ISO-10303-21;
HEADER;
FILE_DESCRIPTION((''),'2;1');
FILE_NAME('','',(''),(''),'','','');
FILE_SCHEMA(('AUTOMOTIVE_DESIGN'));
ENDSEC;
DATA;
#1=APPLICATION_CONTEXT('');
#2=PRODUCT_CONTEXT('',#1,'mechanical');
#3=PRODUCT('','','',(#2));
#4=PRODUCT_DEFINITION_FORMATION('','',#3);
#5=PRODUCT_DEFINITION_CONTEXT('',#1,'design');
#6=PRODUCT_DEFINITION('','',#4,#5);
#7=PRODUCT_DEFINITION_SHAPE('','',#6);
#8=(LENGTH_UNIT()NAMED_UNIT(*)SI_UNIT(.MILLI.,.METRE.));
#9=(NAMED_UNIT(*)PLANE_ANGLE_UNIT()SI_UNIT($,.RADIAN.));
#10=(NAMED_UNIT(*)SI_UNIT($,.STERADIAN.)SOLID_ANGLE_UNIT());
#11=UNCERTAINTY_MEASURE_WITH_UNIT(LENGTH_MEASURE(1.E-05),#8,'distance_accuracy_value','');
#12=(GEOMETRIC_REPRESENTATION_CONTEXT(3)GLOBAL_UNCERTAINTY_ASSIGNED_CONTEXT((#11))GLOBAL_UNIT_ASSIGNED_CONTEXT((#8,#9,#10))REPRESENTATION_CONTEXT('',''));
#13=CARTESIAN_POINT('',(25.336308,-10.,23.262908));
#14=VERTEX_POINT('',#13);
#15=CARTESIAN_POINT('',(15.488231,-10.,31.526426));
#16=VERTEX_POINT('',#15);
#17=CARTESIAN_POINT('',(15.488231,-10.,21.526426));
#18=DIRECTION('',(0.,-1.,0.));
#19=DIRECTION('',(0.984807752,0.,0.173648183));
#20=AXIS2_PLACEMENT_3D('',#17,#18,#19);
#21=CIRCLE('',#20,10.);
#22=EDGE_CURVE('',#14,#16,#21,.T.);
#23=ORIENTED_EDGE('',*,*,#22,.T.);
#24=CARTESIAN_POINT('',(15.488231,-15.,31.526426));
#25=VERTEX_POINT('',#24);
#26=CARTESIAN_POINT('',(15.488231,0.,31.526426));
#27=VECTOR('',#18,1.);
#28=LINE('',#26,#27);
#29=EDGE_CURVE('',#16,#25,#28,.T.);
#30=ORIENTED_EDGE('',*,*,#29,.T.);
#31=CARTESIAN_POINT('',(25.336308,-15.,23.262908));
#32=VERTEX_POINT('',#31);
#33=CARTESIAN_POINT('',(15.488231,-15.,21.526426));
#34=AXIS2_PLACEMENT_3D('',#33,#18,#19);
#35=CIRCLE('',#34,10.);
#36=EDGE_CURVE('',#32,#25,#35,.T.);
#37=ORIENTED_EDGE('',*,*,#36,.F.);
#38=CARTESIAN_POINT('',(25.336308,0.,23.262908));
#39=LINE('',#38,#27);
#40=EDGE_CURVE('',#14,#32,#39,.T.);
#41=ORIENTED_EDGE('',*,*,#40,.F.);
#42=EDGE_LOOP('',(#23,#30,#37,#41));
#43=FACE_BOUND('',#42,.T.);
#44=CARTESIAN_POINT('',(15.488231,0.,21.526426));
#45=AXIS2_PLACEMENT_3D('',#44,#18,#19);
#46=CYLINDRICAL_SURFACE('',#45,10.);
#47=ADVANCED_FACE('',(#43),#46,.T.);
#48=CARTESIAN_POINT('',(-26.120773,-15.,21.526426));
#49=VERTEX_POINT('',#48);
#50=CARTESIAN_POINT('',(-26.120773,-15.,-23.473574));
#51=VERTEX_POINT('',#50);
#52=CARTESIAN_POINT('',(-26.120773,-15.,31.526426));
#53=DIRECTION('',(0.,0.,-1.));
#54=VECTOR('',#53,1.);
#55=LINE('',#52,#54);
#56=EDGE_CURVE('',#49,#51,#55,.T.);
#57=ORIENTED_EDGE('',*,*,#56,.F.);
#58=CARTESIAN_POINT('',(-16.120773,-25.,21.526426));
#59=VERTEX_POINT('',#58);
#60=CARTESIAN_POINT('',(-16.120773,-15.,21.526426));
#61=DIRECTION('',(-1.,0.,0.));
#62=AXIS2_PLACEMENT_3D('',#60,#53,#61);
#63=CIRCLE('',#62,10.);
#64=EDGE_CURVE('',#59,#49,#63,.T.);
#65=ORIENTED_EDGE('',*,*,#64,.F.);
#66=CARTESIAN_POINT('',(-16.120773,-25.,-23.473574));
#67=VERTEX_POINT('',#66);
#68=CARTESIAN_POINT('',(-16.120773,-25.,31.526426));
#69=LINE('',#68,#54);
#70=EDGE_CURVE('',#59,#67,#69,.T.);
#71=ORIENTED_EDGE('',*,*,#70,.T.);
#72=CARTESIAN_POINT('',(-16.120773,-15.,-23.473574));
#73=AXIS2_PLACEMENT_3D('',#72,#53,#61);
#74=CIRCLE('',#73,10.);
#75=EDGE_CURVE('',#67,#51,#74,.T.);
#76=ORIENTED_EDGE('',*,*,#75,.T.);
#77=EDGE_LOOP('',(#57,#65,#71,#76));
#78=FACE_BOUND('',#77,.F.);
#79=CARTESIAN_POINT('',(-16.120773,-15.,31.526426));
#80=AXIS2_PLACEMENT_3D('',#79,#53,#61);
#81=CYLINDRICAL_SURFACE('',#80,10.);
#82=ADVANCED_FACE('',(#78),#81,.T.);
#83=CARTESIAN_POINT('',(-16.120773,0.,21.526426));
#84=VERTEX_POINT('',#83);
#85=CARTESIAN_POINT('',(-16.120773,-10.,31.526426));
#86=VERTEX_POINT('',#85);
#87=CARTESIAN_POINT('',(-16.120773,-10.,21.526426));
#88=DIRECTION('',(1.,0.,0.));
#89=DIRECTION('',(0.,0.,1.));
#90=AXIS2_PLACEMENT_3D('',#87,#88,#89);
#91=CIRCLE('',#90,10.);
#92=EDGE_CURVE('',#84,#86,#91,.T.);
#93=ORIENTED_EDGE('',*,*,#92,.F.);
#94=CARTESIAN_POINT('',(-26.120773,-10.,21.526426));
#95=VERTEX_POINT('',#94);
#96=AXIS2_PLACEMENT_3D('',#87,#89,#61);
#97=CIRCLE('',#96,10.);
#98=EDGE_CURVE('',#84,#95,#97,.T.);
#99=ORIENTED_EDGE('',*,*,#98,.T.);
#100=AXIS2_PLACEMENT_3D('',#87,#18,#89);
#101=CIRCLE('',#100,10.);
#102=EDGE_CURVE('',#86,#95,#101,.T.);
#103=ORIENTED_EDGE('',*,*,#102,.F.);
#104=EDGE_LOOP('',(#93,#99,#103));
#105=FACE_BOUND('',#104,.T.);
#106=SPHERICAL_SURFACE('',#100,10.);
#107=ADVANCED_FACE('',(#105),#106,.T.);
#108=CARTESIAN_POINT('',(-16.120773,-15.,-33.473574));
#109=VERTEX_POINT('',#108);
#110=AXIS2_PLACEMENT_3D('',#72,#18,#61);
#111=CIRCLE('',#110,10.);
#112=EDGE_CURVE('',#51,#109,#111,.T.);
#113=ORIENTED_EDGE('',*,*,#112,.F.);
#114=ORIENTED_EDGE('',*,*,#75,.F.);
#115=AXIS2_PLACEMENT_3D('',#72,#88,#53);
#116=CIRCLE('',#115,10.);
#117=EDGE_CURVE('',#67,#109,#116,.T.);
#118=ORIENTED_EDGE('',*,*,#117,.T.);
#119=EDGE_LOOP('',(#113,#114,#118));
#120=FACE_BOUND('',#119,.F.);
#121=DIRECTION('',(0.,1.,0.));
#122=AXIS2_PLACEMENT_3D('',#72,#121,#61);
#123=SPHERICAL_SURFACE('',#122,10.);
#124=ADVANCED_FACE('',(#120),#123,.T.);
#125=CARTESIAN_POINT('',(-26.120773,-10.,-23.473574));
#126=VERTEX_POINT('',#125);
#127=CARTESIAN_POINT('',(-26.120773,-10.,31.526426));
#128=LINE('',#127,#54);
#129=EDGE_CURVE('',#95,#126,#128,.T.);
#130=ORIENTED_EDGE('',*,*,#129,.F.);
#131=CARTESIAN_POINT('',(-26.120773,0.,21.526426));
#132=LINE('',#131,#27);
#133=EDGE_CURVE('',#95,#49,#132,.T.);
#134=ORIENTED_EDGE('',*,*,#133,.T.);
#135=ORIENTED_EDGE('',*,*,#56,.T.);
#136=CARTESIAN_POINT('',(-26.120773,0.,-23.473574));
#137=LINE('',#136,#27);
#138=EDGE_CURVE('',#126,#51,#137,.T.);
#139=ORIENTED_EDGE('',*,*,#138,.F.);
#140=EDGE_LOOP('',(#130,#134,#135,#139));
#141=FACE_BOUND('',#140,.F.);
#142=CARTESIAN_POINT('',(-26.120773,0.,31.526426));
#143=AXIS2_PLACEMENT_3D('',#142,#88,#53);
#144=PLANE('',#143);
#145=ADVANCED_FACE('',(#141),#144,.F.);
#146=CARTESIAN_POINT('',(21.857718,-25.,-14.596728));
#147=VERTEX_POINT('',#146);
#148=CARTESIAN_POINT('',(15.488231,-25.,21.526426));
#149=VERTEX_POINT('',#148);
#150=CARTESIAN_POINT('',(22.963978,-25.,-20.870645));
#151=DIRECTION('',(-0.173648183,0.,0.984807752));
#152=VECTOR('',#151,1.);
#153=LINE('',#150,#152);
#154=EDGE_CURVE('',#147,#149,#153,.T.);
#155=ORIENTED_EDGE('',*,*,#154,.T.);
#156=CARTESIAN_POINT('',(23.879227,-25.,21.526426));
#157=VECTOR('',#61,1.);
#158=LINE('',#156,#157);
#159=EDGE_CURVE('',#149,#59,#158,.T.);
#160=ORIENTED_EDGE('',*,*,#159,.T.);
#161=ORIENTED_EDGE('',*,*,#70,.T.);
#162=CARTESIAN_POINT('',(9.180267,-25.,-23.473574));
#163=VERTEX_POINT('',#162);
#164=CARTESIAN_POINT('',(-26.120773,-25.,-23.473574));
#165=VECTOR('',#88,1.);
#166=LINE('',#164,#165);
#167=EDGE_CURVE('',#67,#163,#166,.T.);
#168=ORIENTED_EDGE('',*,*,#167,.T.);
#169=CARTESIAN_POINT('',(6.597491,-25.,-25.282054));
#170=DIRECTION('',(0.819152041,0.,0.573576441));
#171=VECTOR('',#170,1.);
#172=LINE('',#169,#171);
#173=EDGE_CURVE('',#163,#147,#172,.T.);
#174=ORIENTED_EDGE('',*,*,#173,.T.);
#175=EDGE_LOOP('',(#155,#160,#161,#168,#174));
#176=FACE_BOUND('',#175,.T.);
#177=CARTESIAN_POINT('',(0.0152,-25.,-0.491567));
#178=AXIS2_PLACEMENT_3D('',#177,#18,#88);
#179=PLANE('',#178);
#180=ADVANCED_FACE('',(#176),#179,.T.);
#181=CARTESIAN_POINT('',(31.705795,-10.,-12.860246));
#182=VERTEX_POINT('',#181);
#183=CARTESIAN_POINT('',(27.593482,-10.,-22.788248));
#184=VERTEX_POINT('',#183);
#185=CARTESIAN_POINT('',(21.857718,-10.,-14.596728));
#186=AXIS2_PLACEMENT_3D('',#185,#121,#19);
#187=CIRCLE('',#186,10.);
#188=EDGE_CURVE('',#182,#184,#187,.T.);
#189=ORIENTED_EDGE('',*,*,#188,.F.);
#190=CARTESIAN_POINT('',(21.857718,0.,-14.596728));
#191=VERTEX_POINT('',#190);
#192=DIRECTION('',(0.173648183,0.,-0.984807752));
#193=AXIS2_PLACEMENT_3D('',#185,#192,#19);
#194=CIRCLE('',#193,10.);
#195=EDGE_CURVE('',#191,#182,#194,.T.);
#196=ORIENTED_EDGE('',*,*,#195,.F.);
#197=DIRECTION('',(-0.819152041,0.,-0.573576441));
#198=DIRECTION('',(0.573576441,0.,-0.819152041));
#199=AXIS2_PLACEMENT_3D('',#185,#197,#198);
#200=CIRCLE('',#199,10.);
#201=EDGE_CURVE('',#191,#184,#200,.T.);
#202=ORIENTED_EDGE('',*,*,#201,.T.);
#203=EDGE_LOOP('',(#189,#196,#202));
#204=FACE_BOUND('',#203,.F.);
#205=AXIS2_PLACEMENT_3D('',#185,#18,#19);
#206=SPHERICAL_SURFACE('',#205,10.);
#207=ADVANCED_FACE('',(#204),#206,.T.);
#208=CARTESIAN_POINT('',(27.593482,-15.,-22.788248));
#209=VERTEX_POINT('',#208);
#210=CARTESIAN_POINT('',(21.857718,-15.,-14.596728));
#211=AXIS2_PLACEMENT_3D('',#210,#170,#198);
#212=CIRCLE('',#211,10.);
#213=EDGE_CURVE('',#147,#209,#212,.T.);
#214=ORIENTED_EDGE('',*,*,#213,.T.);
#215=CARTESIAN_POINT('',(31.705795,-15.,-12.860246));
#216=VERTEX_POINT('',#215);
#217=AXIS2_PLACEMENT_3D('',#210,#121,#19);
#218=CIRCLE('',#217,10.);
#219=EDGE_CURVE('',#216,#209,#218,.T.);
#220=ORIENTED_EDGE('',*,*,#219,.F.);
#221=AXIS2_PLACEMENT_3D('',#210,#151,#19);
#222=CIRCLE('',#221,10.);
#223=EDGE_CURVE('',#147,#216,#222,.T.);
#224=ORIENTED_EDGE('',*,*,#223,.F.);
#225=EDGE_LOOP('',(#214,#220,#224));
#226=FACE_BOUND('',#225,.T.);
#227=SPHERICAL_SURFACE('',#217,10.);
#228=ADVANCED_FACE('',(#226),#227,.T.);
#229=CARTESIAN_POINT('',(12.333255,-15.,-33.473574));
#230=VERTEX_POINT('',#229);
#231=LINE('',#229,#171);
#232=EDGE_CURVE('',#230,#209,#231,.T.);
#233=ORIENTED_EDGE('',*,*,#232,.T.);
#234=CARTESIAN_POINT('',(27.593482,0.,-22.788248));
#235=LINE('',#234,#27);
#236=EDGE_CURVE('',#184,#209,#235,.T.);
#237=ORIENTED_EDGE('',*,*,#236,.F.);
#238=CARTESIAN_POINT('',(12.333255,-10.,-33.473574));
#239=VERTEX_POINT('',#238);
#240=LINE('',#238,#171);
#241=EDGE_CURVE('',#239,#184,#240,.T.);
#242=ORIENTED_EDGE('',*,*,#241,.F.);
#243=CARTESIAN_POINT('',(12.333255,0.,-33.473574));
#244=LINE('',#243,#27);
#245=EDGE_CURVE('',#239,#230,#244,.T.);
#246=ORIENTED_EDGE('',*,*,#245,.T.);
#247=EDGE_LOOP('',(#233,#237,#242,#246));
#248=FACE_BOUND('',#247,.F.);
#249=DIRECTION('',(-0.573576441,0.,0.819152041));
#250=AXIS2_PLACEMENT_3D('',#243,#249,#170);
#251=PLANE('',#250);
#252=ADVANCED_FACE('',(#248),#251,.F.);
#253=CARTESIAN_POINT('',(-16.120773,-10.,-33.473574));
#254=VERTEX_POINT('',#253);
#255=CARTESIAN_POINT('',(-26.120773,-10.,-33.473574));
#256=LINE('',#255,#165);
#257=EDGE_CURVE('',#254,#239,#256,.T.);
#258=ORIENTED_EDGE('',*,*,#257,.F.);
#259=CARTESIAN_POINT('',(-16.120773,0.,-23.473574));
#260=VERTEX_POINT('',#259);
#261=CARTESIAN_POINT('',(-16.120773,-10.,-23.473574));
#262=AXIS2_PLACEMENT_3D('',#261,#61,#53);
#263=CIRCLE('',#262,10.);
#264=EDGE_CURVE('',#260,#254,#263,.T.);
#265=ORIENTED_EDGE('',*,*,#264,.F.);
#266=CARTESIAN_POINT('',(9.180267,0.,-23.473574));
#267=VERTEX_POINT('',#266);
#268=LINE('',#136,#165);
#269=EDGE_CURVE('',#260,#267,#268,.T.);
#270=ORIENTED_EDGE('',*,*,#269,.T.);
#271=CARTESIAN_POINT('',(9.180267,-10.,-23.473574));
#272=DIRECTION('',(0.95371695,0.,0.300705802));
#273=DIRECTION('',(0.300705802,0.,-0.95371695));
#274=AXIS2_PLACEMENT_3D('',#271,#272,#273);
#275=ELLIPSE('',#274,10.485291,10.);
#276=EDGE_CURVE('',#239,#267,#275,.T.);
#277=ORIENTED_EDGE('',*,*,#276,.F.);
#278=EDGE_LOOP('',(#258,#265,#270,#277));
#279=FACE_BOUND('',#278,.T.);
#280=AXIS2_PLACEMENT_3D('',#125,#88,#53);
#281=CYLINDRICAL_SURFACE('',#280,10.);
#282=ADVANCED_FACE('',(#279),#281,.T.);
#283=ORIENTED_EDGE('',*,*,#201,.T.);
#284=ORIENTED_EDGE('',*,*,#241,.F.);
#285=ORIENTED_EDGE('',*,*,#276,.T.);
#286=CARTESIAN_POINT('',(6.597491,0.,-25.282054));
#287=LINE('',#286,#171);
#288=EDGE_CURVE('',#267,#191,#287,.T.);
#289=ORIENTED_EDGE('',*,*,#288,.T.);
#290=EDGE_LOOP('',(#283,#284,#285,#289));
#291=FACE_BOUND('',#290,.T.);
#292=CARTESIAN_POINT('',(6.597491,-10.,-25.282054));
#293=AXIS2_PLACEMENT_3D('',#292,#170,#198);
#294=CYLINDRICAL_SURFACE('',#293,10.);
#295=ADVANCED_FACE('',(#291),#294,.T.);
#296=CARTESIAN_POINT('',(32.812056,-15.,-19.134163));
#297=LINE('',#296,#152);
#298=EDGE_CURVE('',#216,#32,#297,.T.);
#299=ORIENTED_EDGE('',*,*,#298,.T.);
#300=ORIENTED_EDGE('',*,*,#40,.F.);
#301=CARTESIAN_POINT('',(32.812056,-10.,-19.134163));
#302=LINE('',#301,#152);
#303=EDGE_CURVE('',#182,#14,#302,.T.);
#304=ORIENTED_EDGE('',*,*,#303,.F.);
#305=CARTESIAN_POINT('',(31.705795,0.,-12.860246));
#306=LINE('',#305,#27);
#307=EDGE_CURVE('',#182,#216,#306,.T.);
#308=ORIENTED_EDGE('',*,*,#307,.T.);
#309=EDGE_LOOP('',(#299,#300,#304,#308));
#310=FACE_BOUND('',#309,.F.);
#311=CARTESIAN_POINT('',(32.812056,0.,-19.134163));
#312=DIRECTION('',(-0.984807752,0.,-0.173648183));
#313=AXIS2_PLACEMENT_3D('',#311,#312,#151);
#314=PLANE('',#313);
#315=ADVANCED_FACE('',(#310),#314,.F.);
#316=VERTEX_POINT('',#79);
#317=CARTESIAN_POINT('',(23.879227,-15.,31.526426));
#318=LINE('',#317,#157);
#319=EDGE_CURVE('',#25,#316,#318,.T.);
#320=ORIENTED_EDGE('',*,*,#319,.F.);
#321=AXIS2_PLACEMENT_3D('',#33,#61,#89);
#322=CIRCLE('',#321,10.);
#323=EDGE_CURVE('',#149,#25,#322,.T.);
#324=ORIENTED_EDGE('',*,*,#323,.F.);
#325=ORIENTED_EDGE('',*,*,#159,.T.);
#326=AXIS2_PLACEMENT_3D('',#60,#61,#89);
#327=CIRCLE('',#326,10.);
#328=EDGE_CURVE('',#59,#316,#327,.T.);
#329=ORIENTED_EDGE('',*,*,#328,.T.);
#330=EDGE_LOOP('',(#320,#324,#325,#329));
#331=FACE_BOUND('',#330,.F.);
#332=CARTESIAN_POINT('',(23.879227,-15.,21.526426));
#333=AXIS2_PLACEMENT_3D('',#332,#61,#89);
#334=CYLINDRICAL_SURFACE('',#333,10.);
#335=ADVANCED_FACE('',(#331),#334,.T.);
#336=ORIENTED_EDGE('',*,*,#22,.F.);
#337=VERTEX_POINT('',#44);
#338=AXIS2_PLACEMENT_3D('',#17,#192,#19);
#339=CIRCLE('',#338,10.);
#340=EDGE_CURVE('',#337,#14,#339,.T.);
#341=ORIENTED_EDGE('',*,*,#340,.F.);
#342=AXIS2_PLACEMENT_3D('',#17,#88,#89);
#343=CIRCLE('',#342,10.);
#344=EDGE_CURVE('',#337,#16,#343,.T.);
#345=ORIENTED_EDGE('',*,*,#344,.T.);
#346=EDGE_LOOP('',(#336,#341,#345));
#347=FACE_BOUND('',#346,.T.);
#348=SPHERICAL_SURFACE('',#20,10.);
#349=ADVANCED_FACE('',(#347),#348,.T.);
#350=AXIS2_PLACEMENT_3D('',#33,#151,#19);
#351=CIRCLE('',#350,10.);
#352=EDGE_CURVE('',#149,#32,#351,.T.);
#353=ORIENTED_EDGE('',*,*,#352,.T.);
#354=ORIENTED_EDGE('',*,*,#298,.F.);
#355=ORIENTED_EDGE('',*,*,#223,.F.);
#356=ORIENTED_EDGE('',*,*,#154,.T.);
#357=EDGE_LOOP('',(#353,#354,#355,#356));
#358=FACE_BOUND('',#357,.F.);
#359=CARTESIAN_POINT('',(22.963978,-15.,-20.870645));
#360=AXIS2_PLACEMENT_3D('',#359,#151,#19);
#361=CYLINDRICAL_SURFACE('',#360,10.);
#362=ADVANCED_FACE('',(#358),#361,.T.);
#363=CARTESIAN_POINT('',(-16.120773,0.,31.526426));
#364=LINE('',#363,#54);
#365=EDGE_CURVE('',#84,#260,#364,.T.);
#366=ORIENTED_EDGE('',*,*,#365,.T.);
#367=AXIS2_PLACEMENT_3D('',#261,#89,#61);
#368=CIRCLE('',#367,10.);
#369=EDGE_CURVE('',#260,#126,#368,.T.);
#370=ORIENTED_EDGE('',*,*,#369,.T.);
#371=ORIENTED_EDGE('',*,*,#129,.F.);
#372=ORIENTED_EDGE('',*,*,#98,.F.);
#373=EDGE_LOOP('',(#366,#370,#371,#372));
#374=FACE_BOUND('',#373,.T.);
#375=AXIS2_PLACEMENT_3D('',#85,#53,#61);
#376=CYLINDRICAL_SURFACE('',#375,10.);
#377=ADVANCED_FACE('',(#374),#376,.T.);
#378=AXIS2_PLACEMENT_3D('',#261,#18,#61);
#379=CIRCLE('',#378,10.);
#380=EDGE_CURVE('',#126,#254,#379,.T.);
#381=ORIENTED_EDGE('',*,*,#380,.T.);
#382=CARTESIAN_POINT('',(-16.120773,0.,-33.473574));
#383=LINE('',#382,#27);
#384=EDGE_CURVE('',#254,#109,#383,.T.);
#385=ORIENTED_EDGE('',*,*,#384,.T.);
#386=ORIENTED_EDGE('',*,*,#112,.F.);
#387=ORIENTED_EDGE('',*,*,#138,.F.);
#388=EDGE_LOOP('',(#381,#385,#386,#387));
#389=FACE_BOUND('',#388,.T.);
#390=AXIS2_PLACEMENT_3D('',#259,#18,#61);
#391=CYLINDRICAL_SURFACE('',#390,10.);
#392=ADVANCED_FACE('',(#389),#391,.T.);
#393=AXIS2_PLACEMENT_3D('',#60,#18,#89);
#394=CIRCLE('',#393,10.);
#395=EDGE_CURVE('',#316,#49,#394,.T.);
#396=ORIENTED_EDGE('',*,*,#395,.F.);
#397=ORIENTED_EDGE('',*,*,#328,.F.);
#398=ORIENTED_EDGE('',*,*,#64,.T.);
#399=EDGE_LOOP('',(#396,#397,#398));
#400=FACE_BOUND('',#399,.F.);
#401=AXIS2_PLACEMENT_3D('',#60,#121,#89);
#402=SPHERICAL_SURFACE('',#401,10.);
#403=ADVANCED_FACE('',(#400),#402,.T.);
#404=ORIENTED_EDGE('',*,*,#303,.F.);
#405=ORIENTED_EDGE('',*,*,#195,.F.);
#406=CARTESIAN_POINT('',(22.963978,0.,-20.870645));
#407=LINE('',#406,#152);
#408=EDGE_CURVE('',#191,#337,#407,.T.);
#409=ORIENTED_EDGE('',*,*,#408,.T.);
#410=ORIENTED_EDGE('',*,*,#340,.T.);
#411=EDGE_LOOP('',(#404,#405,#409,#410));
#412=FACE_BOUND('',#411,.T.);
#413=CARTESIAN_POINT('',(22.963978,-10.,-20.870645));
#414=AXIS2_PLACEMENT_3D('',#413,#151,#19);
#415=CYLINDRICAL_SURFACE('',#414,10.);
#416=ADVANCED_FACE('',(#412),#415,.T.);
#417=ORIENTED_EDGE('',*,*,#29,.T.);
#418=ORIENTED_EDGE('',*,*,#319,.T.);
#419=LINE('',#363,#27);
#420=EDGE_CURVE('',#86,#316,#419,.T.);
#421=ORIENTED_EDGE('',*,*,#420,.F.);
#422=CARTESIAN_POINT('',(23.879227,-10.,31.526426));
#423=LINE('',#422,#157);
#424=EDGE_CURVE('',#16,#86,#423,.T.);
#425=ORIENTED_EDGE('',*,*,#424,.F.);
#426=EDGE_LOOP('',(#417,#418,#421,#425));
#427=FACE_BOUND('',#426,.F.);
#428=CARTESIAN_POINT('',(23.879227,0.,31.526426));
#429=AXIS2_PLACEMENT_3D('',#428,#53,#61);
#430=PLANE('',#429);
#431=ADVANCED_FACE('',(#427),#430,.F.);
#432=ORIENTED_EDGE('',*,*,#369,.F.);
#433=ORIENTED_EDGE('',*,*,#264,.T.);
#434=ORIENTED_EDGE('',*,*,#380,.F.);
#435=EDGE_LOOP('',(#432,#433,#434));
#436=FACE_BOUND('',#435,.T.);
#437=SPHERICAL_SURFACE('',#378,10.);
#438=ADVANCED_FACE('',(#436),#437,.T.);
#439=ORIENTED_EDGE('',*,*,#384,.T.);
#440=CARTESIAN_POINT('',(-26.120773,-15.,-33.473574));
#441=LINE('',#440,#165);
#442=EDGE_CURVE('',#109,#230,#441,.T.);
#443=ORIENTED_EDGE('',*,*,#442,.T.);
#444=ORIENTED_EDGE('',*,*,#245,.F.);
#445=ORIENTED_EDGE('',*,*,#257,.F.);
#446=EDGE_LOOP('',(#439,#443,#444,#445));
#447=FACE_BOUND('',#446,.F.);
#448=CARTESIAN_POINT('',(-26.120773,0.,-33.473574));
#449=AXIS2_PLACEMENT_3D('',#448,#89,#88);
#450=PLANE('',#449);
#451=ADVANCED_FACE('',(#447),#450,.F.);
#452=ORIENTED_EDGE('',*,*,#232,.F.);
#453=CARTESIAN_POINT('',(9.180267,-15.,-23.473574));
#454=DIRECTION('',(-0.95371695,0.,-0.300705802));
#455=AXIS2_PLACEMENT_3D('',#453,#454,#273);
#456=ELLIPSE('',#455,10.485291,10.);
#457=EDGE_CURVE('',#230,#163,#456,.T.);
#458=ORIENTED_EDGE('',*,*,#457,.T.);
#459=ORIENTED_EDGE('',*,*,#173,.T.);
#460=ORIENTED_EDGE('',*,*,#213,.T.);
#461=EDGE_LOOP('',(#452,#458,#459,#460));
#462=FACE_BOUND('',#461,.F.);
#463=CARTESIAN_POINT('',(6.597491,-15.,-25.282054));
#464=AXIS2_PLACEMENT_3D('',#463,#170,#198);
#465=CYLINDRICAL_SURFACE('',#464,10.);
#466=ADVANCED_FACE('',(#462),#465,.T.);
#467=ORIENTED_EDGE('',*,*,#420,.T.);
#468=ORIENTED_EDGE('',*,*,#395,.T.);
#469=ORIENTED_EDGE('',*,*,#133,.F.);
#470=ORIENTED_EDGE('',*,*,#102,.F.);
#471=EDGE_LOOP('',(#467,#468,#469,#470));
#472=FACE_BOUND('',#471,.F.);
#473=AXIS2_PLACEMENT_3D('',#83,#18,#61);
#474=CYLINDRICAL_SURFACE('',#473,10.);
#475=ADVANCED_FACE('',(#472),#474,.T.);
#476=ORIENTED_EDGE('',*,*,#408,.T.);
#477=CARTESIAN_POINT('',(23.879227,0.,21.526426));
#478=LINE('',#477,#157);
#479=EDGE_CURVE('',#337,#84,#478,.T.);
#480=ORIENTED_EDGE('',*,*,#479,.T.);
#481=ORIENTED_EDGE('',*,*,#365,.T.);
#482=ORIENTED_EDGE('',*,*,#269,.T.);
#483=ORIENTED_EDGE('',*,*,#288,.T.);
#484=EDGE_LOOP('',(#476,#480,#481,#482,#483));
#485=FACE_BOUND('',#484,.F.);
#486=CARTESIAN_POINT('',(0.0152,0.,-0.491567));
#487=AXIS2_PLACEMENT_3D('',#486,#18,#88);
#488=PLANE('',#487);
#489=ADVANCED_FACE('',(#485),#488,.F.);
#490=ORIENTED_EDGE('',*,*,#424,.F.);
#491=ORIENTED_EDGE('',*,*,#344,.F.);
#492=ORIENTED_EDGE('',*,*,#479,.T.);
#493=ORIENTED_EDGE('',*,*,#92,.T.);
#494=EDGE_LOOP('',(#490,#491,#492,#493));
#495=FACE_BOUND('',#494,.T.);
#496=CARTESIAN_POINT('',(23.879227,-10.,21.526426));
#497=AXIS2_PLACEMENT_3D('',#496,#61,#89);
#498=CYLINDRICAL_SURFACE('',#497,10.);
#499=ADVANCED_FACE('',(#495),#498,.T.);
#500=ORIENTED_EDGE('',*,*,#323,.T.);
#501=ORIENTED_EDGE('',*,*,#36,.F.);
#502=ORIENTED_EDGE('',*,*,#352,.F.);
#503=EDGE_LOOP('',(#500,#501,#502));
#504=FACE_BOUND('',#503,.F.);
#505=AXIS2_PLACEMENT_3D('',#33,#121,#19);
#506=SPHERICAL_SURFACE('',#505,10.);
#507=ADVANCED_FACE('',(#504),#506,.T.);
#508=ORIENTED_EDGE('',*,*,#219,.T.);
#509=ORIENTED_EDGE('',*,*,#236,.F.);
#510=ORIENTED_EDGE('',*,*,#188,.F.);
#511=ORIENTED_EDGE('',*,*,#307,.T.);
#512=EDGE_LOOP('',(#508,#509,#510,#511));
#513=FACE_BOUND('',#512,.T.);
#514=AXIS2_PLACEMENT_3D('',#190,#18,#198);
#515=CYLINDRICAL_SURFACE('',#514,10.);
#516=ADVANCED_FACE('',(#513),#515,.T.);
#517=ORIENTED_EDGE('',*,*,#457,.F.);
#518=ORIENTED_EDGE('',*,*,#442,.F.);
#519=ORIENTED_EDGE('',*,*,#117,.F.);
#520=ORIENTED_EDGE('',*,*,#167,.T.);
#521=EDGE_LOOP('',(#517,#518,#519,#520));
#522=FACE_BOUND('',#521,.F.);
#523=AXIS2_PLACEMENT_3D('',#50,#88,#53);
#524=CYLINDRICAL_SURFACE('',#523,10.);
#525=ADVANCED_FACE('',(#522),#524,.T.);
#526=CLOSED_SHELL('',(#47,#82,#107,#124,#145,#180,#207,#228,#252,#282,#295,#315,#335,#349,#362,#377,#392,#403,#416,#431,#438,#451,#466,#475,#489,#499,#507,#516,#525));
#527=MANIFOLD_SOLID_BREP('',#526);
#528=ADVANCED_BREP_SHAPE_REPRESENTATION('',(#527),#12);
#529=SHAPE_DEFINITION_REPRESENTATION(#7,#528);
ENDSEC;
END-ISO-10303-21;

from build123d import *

# Parameters (mm, degrees)
F1_DEPTH = 25
F2_R     = 10


with BuildPart() as f1:
    # F0 (on Front) → F1 (new body)
    with BuildSketch(Plane.XZ):
        Polygon((-26.120773, 31.526426), (-26.120773, -33.473574), (12.333255, -33.473574), (32.812056, -19.134163), (23.879227, 31.526426), align=None)
    extrude(amount=F1_DEPTH)

    # F2
    f2_edges = [f1.edges().sort_by_distance(p)[0] for p in [
        (23.879227, -12.5, 31.526426),
        (32.812056, -12.5, -19.134163),
        (-26.120773, -12.5, 31.526426),
        (-26.120773, -12.5, -33.473574),
        (28.345642, -25, 6.196132),
        (-1.120773, -25, 31.526426),
        (-26.120773, -25, -0.973574),
        (-6.893759, -25, -33.473574),
        (22.572655, -25, -26.303868),
        (28.345642, 0, 6.196132),
        (-1.120773, 0, 31.526426),
        (-26.120773, 0, -0.973574),
        (-6.893759, 0, -33.473574),
        (22.572655, 0, -26.303868),
    ]]
    fillet(f2_edges, radius=F2_R)


solid = f1.part
